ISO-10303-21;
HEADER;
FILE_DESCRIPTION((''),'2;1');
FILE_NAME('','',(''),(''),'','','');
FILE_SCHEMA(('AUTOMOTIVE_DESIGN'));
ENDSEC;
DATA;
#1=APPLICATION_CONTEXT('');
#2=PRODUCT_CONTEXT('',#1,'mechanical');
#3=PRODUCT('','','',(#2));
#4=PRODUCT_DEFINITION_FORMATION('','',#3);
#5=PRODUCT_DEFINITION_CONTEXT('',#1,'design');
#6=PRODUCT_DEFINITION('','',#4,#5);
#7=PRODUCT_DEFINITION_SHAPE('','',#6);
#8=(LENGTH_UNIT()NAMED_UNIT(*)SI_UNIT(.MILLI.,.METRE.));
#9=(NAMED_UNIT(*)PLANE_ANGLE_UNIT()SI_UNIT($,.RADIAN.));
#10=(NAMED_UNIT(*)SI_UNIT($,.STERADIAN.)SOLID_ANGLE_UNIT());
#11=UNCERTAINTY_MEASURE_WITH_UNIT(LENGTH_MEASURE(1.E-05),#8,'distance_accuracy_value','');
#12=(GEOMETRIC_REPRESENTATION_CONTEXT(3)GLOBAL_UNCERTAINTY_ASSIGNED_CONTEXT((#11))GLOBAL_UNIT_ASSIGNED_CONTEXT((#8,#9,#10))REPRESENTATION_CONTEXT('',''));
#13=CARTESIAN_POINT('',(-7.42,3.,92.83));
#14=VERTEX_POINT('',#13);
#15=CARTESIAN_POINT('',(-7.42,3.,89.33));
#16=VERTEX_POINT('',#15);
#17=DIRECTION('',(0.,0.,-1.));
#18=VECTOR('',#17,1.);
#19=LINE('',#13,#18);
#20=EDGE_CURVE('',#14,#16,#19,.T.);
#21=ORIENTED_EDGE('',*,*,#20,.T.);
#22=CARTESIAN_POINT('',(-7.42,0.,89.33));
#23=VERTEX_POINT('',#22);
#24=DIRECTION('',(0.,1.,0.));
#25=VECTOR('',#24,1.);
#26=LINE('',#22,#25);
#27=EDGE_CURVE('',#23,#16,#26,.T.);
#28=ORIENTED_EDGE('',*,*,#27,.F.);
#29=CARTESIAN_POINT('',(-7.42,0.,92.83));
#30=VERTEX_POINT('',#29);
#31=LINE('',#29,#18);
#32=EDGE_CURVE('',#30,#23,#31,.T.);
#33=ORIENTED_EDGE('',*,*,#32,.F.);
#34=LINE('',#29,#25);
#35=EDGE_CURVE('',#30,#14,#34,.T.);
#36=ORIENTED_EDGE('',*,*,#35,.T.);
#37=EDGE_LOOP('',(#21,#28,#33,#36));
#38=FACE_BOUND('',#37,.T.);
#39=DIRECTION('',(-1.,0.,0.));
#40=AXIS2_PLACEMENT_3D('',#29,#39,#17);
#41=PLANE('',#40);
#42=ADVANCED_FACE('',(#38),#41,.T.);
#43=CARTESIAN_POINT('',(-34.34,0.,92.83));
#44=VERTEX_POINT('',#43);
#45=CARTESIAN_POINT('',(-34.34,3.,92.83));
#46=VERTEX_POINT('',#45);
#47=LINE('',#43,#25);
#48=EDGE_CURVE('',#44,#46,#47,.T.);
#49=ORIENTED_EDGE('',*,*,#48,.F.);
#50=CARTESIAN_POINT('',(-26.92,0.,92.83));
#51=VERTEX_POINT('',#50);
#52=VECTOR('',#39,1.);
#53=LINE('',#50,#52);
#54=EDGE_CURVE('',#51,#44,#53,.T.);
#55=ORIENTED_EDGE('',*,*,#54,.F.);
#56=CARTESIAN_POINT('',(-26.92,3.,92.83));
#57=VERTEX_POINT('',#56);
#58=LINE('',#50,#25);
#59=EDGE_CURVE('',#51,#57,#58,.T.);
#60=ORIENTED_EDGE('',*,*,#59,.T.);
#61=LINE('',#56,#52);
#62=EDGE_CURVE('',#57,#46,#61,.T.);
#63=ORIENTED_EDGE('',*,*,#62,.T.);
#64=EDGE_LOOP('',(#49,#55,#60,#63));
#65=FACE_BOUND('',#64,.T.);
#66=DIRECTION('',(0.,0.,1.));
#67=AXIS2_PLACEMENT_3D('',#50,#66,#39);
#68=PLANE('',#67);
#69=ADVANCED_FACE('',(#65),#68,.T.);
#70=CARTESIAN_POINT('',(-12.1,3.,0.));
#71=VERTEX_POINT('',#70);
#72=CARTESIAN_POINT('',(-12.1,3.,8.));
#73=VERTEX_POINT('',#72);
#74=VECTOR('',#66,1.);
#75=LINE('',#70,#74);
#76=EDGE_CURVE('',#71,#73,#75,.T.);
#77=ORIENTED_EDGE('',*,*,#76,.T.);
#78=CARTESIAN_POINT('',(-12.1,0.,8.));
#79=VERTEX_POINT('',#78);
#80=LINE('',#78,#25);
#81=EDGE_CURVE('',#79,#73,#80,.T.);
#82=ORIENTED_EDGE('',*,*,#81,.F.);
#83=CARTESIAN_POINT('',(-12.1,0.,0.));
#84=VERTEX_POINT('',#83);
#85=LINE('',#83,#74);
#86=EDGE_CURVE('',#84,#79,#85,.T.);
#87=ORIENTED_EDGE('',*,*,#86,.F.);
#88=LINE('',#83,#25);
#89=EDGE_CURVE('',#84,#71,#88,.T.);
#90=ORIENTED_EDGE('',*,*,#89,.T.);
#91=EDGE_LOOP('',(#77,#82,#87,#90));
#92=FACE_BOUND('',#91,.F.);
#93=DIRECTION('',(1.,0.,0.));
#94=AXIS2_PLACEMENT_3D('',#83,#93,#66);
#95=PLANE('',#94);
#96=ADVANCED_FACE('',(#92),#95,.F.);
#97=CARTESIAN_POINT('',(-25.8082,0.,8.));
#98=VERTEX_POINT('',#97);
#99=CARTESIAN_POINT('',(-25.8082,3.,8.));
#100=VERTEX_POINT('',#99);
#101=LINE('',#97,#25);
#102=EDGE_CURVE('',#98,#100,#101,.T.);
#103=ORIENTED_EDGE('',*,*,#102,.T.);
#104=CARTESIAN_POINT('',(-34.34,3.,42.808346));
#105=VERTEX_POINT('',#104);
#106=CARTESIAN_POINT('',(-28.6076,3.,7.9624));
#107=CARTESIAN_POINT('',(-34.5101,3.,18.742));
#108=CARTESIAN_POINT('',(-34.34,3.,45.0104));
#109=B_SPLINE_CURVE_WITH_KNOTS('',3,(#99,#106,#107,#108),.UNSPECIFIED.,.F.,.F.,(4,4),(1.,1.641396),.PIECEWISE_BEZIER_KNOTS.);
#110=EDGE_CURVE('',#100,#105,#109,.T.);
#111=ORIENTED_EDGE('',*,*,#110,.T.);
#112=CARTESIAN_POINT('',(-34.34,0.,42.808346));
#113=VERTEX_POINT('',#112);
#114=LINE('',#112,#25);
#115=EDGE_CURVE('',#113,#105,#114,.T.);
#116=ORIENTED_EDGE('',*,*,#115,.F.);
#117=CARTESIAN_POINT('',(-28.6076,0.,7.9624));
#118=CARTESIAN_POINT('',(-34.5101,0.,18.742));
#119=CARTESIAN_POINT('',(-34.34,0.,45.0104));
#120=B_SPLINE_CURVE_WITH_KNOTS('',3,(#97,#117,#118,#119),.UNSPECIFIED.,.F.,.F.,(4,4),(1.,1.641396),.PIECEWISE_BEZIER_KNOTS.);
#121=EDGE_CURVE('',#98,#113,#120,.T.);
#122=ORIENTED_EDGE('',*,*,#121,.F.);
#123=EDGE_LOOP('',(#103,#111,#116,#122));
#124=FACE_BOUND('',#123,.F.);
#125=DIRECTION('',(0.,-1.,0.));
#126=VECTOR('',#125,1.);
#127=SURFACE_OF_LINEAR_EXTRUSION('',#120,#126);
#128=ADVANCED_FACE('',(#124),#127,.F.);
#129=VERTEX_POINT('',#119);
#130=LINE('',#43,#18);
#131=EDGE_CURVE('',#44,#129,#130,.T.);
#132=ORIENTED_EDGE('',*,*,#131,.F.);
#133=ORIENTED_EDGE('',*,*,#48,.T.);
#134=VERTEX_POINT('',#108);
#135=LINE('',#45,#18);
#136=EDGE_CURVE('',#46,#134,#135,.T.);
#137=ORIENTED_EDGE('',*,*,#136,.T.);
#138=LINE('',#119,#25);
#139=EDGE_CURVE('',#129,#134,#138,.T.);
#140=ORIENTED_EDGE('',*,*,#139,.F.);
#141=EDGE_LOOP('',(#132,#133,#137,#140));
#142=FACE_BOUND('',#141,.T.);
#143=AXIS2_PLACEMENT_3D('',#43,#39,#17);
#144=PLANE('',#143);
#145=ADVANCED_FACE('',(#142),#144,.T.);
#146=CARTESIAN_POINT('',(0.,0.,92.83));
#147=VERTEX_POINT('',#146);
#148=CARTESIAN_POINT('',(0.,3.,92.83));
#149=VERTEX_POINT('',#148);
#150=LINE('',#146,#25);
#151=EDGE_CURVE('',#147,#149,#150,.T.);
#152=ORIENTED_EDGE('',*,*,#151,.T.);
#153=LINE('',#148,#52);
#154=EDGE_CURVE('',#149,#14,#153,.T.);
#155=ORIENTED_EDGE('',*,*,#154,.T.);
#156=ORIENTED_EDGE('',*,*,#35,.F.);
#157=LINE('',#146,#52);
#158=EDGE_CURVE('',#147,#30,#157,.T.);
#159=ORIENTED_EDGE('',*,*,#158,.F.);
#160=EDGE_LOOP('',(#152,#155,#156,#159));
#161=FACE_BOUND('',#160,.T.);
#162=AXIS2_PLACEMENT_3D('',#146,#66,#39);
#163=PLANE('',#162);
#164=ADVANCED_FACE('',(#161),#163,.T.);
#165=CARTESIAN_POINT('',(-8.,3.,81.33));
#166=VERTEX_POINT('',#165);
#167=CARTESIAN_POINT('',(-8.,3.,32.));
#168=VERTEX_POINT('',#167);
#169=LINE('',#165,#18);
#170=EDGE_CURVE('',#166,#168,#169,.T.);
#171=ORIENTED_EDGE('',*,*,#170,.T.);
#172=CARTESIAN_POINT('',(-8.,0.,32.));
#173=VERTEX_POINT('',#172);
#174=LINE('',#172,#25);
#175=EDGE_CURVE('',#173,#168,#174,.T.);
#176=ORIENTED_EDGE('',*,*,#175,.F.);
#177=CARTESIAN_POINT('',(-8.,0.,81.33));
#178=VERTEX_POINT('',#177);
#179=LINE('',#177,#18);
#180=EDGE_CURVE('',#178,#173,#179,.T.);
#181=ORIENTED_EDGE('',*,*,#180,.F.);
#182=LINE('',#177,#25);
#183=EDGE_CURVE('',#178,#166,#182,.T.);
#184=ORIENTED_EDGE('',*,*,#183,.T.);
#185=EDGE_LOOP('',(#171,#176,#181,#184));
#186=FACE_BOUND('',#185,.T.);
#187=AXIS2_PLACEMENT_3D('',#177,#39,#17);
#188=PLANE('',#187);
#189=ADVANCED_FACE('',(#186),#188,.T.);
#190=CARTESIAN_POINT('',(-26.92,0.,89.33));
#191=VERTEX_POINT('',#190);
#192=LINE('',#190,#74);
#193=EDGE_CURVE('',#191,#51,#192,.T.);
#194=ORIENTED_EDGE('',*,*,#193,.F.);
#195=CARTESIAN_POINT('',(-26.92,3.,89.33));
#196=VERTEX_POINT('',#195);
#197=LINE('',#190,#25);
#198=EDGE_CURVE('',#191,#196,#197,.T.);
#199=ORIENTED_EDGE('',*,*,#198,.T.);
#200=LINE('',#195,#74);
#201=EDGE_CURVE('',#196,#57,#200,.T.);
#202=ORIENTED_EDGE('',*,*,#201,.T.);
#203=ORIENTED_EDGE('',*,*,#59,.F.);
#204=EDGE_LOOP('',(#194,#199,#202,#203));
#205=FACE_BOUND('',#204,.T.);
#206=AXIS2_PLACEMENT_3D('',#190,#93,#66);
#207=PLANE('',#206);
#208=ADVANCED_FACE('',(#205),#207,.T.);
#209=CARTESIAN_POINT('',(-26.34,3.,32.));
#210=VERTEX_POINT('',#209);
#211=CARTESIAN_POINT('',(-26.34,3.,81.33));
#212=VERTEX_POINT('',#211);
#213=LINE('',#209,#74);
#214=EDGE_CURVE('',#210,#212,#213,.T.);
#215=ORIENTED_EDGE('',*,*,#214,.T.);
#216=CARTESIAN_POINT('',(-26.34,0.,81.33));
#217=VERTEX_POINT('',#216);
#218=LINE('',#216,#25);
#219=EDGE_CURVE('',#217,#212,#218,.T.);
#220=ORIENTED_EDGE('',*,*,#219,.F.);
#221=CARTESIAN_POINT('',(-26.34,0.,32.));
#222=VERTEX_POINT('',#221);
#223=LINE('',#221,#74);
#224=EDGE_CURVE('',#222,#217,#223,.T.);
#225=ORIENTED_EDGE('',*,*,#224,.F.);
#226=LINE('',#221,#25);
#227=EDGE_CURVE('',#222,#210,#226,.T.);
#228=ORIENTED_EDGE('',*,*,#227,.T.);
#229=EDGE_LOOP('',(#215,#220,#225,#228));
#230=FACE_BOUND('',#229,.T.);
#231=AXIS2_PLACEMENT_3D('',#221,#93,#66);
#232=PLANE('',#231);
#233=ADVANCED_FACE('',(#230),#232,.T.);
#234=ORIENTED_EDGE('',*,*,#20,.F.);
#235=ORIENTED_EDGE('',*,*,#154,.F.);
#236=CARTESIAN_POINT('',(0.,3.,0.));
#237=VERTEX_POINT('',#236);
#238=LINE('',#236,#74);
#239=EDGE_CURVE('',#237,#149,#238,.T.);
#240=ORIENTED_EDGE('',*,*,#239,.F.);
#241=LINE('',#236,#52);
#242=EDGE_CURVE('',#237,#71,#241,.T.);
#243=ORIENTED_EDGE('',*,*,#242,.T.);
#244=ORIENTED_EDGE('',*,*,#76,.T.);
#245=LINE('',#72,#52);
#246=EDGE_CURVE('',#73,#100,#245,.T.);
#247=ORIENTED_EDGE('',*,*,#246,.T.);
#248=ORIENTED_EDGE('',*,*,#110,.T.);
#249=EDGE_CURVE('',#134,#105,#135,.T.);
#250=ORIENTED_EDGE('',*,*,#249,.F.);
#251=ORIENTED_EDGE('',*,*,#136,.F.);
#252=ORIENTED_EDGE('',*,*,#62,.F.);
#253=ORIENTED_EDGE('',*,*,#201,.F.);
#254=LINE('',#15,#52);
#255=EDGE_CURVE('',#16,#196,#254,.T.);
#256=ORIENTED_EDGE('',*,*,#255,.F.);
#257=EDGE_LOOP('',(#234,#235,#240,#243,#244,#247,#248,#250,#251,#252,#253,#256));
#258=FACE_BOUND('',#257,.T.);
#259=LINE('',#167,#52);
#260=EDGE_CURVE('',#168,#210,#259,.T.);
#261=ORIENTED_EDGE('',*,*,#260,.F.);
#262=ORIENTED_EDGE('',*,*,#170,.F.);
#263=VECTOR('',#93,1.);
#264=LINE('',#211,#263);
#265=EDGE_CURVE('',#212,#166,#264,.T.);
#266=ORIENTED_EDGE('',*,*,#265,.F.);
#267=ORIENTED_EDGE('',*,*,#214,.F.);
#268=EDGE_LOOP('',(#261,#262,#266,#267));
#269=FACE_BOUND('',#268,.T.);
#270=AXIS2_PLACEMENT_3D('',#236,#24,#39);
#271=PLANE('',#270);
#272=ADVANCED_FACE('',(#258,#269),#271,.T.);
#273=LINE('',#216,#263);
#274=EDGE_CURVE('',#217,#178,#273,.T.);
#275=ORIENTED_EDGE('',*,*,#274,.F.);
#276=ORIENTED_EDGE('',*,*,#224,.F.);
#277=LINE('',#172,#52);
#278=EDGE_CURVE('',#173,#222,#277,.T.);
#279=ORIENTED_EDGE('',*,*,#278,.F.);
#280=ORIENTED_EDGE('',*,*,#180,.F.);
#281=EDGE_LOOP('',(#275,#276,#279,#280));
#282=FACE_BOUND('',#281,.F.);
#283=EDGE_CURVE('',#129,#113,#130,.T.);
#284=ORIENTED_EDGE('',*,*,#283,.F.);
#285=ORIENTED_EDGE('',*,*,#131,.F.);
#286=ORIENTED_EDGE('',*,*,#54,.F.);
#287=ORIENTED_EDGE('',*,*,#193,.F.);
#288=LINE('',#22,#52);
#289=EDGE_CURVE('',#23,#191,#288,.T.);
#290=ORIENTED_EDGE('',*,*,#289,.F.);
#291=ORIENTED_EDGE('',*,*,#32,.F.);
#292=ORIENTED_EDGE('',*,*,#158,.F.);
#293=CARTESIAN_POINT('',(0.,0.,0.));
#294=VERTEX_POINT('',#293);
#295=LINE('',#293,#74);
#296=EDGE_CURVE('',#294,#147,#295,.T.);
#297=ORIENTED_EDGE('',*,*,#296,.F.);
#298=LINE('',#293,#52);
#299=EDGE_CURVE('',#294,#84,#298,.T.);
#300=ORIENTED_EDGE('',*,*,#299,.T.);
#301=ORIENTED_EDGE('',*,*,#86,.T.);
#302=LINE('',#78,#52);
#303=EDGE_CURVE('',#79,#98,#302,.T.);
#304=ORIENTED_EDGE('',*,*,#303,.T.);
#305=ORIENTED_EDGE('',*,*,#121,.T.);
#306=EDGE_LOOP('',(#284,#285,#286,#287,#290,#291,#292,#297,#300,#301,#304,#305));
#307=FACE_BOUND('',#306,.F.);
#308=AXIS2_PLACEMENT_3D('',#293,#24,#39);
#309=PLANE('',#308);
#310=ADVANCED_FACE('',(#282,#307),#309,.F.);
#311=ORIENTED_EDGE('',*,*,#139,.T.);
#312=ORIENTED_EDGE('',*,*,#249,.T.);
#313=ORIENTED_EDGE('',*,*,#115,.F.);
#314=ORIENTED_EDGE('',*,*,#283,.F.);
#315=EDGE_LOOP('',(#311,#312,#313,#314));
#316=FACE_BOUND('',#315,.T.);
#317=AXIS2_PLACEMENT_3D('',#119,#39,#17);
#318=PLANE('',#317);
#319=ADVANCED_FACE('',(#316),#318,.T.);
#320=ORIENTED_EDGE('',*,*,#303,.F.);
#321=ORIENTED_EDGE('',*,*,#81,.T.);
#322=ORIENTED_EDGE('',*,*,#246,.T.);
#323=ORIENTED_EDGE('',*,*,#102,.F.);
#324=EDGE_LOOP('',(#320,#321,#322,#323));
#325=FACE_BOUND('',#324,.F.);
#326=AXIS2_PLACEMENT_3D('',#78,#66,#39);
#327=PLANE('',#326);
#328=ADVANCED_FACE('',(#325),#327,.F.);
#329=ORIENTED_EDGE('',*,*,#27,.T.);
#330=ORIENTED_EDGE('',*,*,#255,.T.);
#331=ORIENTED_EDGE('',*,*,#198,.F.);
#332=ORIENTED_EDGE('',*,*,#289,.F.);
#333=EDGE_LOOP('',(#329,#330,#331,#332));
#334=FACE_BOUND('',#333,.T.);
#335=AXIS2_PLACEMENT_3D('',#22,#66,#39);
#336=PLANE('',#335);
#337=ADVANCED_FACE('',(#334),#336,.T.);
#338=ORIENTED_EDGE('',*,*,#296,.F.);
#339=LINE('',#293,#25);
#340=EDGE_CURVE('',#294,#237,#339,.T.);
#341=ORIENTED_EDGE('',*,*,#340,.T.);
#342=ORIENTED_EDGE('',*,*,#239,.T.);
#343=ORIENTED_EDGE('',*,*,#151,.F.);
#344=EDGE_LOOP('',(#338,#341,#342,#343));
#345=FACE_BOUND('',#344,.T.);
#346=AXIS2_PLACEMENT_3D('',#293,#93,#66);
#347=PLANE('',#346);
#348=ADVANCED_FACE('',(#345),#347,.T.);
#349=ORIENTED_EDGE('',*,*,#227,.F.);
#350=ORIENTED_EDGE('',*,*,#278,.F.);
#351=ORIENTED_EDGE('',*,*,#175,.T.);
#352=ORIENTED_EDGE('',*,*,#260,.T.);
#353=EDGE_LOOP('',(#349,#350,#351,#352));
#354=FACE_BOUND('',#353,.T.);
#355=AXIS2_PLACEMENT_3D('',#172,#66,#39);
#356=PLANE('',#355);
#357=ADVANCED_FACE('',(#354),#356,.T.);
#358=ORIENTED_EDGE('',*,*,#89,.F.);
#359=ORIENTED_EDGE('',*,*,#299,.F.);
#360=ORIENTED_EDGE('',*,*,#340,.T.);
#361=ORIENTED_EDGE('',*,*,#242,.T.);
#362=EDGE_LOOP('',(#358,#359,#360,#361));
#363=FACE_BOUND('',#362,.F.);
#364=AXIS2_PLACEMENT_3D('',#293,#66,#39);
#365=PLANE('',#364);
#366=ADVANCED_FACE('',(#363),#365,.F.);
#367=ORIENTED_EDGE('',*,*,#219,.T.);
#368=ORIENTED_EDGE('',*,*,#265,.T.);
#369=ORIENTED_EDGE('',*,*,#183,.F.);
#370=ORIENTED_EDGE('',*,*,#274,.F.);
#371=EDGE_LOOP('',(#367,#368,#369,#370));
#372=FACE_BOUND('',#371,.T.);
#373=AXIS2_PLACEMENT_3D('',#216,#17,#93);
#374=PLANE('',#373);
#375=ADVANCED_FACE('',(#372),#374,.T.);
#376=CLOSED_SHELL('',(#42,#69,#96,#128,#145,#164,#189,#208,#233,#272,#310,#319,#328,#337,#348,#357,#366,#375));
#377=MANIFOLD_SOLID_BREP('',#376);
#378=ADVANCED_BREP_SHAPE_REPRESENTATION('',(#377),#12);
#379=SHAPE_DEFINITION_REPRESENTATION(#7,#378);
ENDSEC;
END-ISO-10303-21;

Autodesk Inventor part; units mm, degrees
ref_plane "YZ Plane" through (0, 0, 0) normal (1, 0, 0) x (0, 1, 0)
ref_plane "XZ Plane" through (0, 0, 0) normal (0, 1, 0) x (-1, 0, 0)
ref_plane "XY Plane" through (0, 0, 0) normal (0, 0, 1) x (1, 0, 0)
sketch "Sketch1" plane through (0, 0, 0) normal (0, 1, 0) x (-1, 0, 0)
  line L0 (25.8082, 8) -> (28.6076, 7.9624) construction
  line L1 (0, 0) -> (0, 92.83)
  line L2 (0, 0) -> (12.1, 0)
  line L3 (26.34, 81.33) -> (8, 81.33)
  line L4 (8, 81.33) -> (8, 32)
  line L5 (8, 32) -> (26.34, 32)
  line L6 (26.34, 32) -> (26.34, 81.33)
  line L7 (0, 92.83) -> (7.42, 92.83)
  line L8 (7.42, 92.83) -> (7.42, 89.33)
  line L9 (7.42, 89.33) -> (26.92, 89.33)
  line L10 (26.92, 89.33) -> (26.92, 92.83)
  line L11 (26.92, 92.83) -> (34.34, 92.83)
  line L12 (34.34, 92.83) -> (34.34, 0)
  line L13 (34.34, 0) -> (12.1, 0)
  line L14 (12.1, 0) -> (12.1, 8)
  line L15 (12.1, 8) -> (34.34, 8)
  spline S0 degree 3 poles (25.8082, 8) (28.6076, 7.9624) (34.5101, 18.742) (34.34, 45.0104) knots 1 1 1 1 1.641396 1.641396 1.641396 1.641396
  line L16 (28.6076, 7.9624) -> (34.5101, 18.742) construction
  line L17 (34.5101, 18.742) -> (34.34, 45.0104) construction
  point P0 (25.8768, 44.3592)
  point P1 (17.17, 89.33)
  point P2 (25.8375, 8)
  point P3 (34.34, 42.8078)
  dimension "d8" = 92.83
  dimension "d9" = 12.1
  dimension "d10" = 7.42
  dimension "d11" = 7.42
  dimension "d12" = 8
  dimension "d13" = 8
  dimension "d14" = 8
  dimension "d15" = 19.5
  dimension "d16" = 3.5
  dimension "d17" = 32
  dimension "d18" = 8
extrude "Extrusion1" add sketch "Sketch1" along normal blind 3 contours L1 L7 L8 L9 L10 L11 L12 S0 L15 L14 L2
properties part number "C-D"
